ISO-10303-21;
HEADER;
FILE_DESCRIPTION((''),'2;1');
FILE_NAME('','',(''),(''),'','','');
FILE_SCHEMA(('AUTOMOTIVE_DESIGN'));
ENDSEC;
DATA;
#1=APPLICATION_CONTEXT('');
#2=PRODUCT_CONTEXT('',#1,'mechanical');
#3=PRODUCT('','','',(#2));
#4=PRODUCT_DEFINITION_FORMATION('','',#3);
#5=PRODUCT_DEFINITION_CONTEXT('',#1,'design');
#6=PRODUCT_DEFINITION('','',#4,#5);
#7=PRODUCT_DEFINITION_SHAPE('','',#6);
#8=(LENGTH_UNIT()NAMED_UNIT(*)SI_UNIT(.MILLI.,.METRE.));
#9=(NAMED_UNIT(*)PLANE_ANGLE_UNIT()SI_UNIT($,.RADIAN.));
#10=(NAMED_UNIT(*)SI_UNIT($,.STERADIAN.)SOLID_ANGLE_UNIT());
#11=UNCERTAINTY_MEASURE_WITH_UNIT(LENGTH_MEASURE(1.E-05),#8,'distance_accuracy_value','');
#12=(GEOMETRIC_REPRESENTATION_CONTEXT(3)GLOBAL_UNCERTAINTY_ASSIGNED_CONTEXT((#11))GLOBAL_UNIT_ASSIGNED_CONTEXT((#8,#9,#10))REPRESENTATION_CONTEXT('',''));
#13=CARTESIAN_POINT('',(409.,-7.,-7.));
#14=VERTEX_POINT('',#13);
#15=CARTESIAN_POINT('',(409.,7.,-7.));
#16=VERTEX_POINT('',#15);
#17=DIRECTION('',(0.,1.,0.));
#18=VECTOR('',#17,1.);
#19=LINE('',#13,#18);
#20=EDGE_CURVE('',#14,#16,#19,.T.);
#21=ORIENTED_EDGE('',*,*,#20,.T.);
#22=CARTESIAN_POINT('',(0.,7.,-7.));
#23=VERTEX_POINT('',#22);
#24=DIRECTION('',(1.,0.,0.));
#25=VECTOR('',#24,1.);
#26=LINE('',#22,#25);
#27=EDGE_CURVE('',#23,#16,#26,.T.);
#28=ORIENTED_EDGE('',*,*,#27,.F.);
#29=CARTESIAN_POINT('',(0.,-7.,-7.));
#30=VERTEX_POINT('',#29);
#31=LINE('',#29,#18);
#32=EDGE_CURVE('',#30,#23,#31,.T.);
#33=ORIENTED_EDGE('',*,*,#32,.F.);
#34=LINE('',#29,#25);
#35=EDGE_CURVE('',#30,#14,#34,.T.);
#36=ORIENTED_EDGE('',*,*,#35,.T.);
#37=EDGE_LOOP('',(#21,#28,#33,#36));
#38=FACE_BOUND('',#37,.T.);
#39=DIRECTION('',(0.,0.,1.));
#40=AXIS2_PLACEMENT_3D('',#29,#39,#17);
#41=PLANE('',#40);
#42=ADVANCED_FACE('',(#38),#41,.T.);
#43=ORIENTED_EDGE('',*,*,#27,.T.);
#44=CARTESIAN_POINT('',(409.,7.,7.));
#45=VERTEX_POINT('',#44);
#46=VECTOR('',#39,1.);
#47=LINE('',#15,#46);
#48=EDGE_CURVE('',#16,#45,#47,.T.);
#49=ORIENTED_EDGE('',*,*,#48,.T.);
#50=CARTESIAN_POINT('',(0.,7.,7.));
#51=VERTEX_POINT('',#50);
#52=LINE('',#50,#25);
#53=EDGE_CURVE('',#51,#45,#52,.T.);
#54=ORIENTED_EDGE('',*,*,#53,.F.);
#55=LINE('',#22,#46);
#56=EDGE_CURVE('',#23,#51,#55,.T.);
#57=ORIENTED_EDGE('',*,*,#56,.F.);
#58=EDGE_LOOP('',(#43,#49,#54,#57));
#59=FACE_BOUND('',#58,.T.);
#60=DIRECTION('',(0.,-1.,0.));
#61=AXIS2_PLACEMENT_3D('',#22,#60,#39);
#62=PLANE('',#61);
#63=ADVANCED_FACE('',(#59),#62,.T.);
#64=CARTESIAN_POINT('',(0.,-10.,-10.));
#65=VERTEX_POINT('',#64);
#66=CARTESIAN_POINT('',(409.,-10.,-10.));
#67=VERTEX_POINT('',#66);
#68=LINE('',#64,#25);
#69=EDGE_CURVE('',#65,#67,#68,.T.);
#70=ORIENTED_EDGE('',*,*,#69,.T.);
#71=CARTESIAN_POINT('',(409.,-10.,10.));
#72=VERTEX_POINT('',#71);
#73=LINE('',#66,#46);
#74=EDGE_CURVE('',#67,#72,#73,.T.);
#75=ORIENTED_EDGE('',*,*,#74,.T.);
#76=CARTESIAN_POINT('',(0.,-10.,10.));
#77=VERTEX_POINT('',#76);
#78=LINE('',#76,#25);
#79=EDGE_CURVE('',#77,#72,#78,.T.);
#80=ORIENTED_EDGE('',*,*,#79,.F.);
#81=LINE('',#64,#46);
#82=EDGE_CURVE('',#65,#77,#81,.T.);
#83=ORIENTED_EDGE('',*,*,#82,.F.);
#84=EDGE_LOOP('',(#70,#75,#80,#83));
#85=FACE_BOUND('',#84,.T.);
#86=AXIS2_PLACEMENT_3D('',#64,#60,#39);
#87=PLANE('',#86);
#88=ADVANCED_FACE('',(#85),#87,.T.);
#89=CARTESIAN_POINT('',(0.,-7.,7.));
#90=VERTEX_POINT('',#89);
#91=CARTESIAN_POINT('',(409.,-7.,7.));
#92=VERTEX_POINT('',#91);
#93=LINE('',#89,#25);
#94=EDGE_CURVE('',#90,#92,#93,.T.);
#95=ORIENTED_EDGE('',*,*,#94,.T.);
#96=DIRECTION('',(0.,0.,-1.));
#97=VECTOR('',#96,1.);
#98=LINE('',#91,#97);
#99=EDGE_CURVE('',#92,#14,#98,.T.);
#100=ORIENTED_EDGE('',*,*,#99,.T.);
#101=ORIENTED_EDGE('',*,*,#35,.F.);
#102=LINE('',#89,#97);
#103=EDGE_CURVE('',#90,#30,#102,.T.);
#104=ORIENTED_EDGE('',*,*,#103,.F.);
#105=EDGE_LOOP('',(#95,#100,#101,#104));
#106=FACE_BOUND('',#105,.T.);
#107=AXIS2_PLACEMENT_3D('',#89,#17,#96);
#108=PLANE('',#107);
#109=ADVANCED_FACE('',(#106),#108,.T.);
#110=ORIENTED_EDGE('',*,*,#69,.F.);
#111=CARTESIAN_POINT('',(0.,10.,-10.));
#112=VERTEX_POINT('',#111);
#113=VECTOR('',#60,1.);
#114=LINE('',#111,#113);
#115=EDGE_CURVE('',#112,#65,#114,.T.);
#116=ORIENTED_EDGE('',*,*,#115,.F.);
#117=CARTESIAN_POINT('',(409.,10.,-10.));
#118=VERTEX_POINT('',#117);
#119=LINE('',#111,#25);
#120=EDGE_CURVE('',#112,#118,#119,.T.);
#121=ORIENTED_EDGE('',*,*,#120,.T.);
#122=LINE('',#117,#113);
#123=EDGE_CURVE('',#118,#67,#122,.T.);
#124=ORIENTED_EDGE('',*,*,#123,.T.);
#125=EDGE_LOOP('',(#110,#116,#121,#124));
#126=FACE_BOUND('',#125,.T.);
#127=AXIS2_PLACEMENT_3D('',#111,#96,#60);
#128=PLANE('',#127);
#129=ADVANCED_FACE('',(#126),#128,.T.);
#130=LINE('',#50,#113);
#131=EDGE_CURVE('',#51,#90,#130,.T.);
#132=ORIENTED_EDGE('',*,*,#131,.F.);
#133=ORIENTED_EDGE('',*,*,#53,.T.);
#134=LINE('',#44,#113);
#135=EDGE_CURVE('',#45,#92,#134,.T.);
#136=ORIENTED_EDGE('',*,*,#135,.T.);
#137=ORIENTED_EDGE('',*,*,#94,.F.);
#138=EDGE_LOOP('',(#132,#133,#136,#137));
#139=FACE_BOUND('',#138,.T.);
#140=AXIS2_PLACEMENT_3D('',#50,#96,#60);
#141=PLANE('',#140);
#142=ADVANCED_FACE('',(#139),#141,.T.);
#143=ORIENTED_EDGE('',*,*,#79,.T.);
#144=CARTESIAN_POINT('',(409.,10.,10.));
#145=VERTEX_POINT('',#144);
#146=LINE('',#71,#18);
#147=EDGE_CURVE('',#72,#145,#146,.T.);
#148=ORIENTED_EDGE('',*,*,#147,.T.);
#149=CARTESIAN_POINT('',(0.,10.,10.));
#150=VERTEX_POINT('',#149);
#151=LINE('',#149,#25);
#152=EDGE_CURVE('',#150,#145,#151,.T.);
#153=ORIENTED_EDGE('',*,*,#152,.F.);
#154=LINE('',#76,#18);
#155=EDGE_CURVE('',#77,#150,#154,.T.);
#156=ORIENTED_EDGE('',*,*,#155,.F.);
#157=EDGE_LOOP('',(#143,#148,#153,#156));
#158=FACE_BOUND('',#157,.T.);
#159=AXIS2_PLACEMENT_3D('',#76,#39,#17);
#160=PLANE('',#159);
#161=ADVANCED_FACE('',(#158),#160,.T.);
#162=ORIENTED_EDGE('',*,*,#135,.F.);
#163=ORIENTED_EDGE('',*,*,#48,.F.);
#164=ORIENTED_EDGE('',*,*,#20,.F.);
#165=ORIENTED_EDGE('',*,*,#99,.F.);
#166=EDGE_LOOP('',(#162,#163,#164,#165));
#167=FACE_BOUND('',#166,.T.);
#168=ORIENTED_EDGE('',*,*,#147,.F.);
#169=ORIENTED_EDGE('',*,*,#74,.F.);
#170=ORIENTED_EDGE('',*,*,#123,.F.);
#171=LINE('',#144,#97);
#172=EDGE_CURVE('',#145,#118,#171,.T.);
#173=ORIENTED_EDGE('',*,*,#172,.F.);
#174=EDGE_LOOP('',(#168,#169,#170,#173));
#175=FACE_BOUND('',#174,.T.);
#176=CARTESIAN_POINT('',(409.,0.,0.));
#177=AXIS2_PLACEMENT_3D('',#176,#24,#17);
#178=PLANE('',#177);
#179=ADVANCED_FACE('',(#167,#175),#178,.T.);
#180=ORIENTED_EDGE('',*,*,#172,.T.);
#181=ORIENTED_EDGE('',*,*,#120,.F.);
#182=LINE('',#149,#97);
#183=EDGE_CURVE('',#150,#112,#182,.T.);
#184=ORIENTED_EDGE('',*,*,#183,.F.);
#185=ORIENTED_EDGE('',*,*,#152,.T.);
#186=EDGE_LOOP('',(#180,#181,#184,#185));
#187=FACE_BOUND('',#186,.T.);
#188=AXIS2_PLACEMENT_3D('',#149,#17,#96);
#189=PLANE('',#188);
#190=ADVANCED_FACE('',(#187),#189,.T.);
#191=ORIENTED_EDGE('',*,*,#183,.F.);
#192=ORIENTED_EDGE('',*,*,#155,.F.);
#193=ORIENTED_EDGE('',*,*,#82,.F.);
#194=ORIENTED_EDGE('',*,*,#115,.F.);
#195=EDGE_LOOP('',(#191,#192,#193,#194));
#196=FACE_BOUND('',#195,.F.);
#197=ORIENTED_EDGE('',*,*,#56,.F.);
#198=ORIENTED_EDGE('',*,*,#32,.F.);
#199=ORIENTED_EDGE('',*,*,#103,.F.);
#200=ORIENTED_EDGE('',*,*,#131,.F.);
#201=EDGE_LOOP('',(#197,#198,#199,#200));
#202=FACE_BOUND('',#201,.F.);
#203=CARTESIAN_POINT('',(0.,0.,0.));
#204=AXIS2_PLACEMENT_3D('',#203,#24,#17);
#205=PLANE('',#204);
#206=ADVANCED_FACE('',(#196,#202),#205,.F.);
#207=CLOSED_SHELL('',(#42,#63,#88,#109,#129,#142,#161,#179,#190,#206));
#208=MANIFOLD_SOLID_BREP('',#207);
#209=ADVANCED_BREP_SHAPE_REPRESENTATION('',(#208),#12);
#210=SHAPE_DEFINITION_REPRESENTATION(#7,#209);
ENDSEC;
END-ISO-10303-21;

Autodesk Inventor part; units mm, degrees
ref_plane "YZ Plane" through (0, 0, 0) normal (1, 0, 0) x (0, 1, 0)
ref_plane "XZ Plane" through (0, 0, 0) normal (0, 1, 0) x (-1, 0, 0)
ref_plane "XY Plane" through (0, 0, 0) normal (0, 0, 1) x (1, 0, 0)
sketch "Sketch1" plane through (0, 0, 0) normal (1, 0, 0) x (0, 1, 0)
  line L0 (-10, 10) -> (10, 10)
  line L1 (10, 10) -> (10, -10)
  line L2 (10, -10) -> (-10, -10)
  line L3 (-10, -10) -> (-10, 10)
  line L4 (-10, 10) -> (10, -10) construction
  line L5 (10, 10) -> (-10, -10) construction
  line L6 (7, -7) -> (7, 7)
  line L7 (7, 7) -> (-7, 7)
  line L8 (-7, 7) -> (-7, -7)
  line L9 (-7, -7) -> (7, -7)
  point P0 (0, 0)
  dimension "d0" = 20
  dimension "d1" = 20
  dimension "d2" = 3
extrude "Extrusion1" add sketch "Sketch1" along normal blind 409
properties part number "2020 Extrusion Base"
